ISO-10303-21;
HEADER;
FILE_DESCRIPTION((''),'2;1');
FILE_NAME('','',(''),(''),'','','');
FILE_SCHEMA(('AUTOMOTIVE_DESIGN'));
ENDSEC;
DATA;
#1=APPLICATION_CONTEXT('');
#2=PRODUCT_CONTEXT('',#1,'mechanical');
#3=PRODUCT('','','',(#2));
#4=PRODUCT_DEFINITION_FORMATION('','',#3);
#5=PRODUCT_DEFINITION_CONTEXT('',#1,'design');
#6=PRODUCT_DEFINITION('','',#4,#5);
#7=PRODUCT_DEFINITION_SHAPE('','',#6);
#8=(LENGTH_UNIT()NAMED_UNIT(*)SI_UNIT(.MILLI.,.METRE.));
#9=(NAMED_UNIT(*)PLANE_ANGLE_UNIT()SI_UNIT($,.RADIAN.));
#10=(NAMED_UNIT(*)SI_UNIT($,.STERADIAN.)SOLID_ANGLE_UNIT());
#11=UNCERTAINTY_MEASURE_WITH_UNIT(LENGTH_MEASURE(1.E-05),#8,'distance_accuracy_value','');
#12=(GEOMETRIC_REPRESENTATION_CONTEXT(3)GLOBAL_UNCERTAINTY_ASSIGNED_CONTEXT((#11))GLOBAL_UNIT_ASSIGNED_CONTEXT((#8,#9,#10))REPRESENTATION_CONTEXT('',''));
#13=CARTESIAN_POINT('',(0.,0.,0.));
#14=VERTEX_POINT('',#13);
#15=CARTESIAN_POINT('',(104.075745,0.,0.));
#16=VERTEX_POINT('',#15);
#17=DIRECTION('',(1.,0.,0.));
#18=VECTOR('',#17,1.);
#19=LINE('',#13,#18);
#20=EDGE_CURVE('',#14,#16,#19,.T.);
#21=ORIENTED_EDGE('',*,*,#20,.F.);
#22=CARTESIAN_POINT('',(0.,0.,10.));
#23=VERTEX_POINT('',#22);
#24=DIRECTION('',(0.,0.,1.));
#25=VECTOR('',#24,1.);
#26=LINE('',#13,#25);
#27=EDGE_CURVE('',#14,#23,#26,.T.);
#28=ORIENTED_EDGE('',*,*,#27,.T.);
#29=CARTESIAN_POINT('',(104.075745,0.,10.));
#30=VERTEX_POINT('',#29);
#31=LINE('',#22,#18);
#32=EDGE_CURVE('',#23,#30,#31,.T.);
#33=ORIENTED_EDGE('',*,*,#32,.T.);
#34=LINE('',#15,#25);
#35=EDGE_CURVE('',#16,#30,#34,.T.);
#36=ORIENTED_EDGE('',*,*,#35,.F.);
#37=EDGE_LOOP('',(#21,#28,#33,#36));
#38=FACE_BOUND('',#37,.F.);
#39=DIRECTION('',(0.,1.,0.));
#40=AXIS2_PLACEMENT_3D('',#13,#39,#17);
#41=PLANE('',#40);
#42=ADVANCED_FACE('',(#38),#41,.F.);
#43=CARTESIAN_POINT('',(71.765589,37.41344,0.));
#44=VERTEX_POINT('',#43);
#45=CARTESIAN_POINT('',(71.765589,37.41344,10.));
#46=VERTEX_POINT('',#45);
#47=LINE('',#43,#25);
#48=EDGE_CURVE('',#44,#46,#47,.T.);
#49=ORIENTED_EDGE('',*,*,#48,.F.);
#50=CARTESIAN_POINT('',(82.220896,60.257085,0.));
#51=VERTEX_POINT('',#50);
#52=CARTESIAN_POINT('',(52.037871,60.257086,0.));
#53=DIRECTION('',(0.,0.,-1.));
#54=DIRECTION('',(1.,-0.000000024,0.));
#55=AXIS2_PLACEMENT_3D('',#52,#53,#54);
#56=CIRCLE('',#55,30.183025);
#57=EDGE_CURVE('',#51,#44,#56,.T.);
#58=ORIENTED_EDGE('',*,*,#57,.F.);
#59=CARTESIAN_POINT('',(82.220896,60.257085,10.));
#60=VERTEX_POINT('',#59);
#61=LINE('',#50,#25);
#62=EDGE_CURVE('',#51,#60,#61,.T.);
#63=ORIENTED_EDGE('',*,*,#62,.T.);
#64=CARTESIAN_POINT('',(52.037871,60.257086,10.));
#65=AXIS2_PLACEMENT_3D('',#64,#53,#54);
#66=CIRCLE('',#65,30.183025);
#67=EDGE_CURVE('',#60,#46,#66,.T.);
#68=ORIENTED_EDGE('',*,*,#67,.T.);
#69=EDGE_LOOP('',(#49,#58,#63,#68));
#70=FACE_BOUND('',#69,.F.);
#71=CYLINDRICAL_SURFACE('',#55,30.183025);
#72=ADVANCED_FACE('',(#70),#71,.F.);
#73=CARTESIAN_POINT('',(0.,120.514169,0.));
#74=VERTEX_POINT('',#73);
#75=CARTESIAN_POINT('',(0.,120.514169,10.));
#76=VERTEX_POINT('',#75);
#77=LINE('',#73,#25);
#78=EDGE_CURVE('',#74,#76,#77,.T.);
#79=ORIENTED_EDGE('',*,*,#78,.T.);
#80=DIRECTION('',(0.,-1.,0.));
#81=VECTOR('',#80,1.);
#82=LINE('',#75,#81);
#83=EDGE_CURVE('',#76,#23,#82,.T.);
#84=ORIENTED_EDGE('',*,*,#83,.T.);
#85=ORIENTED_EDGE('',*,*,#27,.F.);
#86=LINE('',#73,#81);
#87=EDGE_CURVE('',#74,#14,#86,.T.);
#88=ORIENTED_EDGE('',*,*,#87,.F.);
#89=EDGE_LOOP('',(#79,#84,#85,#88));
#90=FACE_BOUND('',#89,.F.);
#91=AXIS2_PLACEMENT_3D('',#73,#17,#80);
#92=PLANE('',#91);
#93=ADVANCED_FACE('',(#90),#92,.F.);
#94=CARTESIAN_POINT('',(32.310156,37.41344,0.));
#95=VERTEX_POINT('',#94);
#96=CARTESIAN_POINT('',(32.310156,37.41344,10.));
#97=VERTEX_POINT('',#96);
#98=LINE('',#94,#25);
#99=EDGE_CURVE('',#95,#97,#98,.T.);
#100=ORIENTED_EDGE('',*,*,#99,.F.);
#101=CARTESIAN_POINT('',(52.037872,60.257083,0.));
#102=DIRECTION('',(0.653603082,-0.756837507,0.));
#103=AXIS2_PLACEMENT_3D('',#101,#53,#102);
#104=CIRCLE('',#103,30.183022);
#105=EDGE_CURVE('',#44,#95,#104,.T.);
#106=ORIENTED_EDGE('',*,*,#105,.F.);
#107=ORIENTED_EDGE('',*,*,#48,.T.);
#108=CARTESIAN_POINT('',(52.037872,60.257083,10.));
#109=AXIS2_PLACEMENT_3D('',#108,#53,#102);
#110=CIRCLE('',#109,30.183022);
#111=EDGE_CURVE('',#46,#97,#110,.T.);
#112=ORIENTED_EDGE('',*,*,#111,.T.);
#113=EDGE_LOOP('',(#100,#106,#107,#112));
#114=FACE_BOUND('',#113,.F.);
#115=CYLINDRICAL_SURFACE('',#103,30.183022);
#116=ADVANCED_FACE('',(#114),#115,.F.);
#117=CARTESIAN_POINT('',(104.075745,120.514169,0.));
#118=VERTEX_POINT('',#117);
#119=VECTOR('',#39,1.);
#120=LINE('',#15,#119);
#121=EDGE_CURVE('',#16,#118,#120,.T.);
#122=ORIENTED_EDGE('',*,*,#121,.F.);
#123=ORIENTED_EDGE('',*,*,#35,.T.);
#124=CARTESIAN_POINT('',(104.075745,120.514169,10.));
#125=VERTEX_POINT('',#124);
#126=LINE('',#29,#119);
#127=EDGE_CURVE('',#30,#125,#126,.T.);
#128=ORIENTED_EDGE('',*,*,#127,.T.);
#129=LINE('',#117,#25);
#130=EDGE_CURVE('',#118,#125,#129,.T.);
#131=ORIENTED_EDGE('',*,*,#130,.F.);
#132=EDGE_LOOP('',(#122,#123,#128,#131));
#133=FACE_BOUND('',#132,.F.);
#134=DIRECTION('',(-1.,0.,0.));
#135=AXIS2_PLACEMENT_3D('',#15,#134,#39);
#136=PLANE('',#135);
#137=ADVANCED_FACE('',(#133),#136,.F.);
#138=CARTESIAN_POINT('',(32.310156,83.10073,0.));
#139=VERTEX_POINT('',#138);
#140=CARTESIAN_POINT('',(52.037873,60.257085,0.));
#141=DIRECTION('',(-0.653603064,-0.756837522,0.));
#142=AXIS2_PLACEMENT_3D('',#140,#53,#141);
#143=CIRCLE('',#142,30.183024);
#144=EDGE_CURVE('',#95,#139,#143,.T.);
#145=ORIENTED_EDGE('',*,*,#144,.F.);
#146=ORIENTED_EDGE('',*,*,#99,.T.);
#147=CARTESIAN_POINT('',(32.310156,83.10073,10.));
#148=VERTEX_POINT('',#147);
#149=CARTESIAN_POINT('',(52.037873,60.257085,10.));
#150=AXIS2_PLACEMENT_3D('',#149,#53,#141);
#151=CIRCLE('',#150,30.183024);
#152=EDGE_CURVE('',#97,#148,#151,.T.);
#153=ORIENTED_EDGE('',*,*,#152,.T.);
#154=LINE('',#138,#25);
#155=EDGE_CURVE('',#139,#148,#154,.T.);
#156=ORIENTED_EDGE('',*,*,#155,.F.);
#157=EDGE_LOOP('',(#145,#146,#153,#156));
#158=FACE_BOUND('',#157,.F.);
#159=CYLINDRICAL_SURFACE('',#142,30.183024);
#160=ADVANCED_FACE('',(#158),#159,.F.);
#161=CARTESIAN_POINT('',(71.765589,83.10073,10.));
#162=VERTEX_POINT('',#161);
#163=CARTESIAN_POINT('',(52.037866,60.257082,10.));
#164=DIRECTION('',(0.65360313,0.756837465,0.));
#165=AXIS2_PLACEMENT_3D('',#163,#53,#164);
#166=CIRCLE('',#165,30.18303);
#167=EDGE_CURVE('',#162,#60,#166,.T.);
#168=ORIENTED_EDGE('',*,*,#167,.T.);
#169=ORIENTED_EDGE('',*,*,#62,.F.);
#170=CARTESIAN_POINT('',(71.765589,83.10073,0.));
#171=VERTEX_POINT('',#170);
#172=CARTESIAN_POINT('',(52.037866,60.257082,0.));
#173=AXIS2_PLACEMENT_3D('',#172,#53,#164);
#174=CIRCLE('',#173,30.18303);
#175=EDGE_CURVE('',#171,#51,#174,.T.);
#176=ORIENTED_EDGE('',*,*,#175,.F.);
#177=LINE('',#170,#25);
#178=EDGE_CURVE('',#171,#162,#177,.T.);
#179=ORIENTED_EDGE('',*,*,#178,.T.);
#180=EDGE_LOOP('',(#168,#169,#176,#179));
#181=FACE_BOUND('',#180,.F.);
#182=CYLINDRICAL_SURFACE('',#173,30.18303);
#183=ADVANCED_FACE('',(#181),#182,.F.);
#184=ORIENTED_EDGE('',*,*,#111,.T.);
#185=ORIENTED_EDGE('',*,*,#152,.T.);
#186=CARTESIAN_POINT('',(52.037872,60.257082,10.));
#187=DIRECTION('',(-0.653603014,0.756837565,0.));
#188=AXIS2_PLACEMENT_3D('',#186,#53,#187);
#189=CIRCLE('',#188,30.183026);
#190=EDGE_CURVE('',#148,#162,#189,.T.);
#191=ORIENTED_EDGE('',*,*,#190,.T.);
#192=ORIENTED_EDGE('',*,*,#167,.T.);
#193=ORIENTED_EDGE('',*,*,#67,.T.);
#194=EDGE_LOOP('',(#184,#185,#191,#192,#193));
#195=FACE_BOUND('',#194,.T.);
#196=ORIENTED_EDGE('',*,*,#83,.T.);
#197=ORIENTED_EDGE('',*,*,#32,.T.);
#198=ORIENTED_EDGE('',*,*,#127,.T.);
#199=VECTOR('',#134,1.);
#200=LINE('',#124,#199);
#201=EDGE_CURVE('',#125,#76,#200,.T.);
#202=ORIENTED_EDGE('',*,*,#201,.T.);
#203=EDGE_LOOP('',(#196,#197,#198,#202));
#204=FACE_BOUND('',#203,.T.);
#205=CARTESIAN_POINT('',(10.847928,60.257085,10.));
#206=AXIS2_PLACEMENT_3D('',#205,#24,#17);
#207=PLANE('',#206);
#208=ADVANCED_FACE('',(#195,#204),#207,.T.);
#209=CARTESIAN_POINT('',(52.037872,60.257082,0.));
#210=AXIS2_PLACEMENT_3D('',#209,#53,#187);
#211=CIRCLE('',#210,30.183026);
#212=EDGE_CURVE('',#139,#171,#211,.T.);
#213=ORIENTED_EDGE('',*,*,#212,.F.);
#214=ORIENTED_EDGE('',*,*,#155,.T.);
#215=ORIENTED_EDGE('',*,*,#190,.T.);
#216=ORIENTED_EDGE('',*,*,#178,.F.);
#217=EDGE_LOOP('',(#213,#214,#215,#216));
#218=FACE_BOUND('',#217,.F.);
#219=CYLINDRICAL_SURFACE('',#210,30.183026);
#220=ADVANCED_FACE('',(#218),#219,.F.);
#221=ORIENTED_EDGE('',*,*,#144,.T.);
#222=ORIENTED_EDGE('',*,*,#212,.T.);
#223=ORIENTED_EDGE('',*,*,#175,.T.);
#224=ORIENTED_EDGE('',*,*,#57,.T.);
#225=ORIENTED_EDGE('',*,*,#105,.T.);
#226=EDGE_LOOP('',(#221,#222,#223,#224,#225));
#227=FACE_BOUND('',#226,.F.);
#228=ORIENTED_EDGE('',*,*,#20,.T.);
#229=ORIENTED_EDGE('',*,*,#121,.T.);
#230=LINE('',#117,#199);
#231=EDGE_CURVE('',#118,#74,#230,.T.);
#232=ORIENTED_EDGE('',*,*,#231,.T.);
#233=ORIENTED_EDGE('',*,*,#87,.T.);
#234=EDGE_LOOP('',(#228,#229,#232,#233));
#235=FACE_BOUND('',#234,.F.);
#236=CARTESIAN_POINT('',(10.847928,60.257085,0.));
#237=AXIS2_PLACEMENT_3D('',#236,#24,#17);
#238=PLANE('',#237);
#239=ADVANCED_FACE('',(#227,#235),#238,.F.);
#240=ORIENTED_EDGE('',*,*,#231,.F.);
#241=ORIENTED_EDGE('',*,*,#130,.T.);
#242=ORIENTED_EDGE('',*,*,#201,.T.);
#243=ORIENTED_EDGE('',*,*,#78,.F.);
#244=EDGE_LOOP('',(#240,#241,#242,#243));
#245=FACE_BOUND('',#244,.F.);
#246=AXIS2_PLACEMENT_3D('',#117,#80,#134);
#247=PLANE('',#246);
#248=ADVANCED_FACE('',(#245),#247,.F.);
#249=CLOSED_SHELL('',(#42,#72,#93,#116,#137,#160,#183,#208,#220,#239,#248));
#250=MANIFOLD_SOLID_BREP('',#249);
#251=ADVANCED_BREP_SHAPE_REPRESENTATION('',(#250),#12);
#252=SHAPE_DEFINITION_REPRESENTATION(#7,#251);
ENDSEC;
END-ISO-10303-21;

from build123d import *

# Parameters (mm, degrees)
F1_DEPTH = 10


with BuildPart() as f1:
    # F0 (on Top) → F1 (new body)
    with BuildSketch(Plane.XY):
        with BuildLine():
            Line((0, 120.514169), (0, 0))
            Line((0, 0), (32.310156, 37.41344))
            ThreePointArc((32.310156, 37.41344), (21.854849, 60.257085), (32.310156, 83.10073))
            Line((32.310156, 83.10073), (0, 120.514169))
        make_face()
        with BuildLine():
            Line((104.075745, 120.514169), (0, 120.514169))
            Line((0, 120.514169), (32.310156, 83.10073))
            ThreePointArc((32.310156, 83.10073), (52.037872, 90.440108), (71.765589, 83.10073))
            Line((71.765589, 83.10073), (104.075745, 120.514169))
        make_face()
        with BuildLine():
            Line((71.765589, 37.41344), (104.075745, 0))
            Line((104.075745, 0), (104.075745, 120.514169))
            Line((104.075745, 120.514169), (71.765589, 83.10073))
            ThreePointArc((71.765589, 83.10073), (79.482881, 72.81839), (82.220896, 60.257085))
            ThreePointArc((82.220896, 60.257085), (79.482881, 47.695779), (71.765589, 37.41344))
        make_face()
        with BuildLine():
            Line((32.310156, 37.41344), (0, 0))
            Line((0, 0), (104.075745, 0))
            Line((104.075745, 0), (71.765589, 37.41344))
            ThreePointArc((71.765589, 37.41344), (52.037872, 30.074061), (32.310156, 37.41344))
        make_face()
    extrude(amount=F1_DEPTH)


solid = f1.part
